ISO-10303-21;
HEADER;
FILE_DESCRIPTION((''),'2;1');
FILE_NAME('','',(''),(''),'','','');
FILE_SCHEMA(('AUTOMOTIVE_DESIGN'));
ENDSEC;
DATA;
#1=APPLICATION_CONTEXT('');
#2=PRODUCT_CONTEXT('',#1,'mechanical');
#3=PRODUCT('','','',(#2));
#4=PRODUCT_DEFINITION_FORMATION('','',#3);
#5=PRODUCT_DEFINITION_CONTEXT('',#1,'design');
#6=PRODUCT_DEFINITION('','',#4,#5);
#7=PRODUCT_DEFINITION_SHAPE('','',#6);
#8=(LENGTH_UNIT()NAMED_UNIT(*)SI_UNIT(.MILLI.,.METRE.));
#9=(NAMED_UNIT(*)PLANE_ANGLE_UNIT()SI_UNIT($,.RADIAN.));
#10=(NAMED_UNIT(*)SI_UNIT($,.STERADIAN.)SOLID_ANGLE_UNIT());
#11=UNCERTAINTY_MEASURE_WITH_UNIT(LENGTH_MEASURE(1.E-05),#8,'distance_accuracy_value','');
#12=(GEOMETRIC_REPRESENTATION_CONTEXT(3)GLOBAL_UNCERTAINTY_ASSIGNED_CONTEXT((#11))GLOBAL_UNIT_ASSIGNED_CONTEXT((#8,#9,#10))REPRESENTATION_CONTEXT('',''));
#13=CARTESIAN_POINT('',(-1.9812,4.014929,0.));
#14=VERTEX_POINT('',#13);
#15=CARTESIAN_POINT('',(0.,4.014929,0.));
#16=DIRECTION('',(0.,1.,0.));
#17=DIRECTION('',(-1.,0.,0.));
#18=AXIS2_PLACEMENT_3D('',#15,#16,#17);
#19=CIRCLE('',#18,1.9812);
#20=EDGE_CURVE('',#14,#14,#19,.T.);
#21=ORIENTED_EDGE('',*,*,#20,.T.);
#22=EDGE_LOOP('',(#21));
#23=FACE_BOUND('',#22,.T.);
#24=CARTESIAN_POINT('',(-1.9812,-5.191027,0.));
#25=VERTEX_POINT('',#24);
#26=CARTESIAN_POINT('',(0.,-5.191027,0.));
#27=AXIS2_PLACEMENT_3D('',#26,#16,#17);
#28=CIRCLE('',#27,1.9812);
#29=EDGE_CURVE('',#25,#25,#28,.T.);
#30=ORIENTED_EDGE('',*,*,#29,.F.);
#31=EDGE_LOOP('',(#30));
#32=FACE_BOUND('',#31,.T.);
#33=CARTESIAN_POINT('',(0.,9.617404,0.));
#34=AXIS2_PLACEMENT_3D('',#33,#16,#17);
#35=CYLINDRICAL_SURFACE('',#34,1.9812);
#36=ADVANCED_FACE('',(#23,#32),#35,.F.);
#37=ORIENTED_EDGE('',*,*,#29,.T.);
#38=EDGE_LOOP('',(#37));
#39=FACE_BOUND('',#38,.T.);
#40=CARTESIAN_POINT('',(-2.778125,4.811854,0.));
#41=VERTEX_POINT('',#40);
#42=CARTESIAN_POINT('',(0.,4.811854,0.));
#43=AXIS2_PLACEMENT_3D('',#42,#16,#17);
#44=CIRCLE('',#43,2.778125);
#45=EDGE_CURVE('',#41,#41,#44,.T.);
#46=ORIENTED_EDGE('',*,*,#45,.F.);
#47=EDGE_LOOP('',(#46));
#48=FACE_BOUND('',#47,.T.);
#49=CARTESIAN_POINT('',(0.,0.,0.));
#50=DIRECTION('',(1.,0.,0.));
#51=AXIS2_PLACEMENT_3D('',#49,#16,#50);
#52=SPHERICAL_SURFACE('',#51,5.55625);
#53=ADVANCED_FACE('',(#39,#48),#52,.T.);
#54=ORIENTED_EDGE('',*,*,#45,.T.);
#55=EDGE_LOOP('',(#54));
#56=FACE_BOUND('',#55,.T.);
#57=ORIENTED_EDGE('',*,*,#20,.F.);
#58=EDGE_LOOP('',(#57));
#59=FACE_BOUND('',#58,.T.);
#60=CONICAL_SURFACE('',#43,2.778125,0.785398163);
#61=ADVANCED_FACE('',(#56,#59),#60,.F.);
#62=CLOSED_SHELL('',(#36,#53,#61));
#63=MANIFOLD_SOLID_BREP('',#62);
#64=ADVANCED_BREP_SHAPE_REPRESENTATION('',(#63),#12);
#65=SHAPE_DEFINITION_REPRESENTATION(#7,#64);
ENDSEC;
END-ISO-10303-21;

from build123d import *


with BuildPart() as part:
    # Sketch1 → Revolve2 (revolve)
    with BuildSketch(Plane.XY):
        with BuildLine():
            Line((1.9812, 4.01492865), (1.9812, -5.191026933))
            ThreePointArc((1.9812, -5.191026933), (5.538700082, -0.441265746), (2.778125, 4.81185365))
            Line((2.778125, 4.81185365), (1.9812, 4.01492865))
        make_face()
    revolve(axis=Axis((0, 9.617404058, 0), (0, -1, 0)))


solid = part.part
